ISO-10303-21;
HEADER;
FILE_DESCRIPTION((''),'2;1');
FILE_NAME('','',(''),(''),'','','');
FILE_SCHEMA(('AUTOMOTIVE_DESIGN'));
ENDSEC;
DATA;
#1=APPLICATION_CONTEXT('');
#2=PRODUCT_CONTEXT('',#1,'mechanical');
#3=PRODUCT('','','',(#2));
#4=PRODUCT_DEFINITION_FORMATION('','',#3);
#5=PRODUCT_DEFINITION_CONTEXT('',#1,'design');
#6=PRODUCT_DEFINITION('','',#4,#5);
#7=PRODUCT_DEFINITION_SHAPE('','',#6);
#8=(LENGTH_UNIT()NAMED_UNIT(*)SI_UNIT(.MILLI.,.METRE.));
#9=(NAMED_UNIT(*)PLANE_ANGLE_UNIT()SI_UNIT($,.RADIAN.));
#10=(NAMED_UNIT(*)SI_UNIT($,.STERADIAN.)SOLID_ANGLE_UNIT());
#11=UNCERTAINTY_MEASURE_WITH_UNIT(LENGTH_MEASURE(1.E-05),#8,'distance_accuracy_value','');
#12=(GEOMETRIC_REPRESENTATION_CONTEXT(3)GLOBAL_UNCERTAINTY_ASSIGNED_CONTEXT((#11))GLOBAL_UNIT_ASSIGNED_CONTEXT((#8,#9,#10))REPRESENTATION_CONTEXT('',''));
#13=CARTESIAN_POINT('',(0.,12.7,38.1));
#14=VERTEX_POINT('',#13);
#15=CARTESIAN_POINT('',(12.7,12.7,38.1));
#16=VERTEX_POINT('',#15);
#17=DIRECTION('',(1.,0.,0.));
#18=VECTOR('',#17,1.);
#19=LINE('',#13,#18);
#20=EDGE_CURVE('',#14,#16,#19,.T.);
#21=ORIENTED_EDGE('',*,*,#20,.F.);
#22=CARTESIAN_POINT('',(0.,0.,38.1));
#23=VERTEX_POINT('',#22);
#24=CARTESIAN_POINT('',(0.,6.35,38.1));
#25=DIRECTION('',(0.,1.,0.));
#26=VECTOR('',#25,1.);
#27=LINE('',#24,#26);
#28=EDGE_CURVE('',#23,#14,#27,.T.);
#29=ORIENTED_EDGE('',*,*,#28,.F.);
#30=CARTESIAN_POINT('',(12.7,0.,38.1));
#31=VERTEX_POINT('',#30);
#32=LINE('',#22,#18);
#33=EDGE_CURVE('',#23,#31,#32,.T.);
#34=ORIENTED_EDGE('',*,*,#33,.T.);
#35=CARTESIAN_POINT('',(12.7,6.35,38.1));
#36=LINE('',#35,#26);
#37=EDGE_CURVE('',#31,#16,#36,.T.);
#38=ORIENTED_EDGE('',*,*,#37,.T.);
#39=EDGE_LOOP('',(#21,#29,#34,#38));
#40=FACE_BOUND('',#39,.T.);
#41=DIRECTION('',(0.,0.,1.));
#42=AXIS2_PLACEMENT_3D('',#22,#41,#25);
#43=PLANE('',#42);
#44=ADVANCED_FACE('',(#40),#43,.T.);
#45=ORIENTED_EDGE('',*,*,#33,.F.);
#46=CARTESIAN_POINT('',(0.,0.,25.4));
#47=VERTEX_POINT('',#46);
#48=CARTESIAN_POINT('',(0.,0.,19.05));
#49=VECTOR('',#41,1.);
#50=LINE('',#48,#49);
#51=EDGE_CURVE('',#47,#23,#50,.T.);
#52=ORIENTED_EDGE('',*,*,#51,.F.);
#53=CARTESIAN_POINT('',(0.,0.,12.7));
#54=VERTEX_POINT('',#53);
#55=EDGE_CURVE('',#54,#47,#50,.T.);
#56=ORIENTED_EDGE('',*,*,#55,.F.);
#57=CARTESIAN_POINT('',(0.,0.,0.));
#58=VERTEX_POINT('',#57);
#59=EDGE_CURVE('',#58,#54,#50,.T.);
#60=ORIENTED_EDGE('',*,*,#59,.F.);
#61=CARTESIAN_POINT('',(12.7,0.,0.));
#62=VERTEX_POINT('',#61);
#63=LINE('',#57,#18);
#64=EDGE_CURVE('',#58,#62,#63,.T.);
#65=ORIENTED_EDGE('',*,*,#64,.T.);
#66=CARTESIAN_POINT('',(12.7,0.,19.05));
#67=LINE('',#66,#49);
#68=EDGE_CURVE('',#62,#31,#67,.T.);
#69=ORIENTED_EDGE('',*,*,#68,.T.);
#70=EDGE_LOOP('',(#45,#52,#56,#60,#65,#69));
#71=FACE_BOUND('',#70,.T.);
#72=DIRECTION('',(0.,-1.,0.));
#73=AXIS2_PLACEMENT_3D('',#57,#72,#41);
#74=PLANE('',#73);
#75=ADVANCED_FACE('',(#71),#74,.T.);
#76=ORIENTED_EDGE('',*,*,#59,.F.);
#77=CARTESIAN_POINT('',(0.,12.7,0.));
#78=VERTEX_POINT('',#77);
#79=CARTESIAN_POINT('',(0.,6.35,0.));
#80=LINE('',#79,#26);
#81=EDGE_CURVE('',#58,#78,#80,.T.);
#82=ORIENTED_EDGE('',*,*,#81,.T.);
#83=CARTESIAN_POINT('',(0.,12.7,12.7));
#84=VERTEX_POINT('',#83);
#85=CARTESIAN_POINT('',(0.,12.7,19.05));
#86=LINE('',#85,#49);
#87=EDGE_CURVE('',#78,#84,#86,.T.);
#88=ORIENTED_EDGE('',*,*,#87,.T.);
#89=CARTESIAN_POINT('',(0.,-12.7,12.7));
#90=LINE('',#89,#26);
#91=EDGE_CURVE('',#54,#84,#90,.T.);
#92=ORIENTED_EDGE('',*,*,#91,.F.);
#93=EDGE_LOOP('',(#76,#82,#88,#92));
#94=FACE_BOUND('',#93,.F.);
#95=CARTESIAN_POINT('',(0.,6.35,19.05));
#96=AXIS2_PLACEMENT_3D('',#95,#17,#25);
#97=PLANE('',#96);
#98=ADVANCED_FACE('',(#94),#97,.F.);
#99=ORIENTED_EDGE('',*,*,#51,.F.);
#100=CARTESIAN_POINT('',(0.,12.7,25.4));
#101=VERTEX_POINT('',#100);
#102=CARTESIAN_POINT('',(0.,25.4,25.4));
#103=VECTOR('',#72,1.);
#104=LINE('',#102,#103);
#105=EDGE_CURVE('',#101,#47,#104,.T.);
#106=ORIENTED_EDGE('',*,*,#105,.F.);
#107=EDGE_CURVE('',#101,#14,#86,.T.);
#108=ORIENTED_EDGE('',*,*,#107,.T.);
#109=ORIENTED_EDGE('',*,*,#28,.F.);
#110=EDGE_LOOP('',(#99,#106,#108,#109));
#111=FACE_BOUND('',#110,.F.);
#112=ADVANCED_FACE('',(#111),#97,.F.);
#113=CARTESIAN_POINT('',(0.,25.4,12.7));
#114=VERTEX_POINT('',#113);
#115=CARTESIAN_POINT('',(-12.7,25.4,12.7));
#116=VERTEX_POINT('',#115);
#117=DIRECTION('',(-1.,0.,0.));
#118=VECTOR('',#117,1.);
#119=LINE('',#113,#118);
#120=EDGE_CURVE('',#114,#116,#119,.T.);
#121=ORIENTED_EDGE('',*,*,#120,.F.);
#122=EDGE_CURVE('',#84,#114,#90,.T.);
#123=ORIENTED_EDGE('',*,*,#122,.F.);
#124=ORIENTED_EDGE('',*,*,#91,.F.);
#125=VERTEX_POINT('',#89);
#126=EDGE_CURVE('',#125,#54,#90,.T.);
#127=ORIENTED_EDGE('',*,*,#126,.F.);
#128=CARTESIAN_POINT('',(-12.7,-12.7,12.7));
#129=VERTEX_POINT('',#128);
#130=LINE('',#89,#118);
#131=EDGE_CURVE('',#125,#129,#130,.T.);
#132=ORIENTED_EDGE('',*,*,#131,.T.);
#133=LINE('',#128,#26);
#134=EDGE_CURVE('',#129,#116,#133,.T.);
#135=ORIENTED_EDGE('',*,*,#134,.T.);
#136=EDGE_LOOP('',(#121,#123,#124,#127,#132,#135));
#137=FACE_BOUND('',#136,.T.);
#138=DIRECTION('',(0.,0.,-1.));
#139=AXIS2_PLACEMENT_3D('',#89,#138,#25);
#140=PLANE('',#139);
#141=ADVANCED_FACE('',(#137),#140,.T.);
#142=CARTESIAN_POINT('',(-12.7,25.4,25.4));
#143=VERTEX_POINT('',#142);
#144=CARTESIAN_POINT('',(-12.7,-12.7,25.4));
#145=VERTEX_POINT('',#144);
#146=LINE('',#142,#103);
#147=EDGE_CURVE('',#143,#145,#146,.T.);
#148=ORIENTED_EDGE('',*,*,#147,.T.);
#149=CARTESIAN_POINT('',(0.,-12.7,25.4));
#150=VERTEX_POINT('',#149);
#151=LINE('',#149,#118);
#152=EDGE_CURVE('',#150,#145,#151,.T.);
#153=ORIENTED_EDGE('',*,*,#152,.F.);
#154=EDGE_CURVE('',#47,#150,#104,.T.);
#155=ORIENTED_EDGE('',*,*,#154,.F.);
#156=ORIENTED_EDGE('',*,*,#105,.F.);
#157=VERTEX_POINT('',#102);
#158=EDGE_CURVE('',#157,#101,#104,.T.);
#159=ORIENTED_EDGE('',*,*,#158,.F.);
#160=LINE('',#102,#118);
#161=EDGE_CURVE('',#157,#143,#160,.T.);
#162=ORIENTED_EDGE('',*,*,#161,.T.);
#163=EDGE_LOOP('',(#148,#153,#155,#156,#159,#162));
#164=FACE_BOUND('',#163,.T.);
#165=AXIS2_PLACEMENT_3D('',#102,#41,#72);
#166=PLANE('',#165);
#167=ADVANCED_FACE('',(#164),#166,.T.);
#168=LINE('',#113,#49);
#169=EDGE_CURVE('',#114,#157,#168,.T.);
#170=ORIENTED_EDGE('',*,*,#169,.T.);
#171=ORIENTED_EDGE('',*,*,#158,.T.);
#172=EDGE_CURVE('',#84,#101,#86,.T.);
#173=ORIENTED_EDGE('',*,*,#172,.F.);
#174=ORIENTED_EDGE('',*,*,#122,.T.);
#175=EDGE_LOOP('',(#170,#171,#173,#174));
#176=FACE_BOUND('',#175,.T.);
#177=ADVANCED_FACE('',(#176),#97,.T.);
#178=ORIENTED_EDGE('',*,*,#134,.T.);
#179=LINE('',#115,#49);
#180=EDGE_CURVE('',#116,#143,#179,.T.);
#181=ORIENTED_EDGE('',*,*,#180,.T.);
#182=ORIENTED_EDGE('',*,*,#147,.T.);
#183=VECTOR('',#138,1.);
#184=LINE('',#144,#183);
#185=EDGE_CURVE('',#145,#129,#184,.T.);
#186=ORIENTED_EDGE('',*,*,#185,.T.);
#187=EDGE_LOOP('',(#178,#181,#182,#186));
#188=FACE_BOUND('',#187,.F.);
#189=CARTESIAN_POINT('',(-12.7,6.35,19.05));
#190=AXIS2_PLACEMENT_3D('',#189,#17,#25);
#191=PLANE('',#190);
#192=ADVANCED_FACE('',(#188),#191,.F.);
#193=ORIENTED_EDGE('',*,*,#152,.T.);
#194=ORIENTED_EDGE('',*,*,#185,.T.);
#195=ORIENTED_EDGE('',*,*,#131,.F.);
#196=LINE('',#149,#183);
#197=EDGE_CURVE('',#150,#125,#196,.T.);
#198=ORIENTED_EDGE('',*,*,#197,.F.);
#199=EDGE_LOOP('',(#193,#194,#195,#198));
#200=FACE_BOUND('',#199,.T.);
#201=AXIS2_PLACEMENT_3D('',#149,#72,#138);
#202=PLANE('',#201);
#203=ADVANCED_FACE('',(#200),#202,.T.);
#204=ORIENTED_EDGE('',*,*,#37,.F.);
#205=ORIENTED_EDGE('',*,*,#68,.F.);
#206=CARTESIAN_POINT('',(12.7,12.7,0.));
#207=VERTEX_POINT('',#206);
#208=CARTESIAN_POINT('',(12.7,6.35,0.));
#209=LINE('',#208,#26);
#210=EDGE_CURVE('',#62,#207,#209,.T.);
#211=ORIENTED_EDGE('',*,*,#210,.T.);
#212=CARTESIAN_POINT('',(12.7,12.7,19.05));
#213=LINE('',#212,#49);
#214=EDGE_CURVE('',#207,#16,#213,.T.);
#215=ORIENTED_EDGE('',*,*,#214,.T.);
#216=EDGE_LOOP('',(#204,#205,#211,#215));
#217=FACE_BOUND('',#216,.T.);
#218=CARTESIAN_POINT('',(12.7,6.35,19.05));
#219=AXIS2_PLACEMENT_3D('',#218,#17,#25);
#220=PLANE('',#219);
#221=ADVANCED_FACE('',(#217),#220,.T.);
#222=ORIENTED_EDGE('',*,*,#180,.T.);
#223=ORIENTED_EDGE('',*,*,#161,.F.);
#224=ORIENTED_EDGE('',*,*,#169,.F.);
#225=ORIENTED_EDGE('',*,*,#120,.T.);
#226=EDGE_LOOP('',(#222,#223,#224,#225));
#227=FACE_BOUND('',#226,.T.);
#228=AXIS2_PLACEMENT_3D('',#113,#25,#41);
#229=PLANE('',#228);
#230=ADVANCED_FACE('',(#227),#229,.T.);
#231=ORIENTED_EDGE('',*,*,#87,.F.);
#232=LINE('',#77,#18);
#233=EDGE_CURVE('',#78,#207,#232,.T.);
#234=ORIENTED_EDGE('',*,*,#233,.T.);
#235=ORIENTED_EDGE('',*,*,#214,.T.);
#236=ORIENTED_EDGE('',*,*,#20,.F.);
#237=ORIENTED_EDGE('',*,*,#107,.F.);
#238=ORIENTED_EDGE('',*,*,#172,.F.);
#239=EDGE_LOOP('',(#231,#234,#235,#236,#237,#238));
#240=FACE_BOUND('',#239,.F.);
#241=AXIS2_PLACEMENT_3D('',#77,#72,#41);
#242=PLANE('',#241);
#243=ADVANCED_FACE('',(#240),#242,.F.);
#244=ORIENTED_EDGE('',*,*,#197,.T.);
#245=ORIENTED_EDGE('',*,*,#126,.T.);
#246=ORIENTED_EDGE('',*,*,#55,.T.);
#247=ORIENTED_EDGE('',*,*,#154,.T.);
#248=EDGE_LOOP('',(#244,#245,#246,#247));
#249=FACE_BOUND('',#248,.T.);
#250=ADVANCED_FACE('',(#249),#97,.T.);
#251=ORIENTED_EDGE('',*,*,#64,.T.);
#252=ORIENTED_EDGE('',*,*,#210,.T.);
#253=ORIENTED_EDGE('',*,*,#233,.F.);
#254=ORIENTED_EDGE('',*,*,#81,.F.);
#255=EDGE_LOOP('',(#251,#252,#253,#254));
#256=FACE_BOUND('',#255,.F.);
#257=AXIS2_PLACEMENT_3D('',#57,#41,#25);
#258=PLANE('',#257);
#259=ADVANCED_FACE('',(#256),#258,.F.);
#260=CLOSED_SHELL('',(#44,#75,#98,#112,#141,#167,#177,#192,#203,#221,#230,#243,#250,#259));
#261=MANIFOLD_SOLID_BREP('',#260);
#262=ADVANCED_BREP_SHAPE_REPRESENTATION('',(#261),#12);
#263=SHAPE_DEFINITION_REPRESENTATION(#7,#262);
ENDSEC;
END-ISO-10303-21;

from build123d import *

# Parameters (mm, degrees)
F0_W     = 12.7
F0_H     = 38.1
F1_DEPTH = 12.7
F3_DEPTH = 12.7


with BuildPart() as f1:
    # F0 (on Right) → F1 (new body)
    with BuildSketch(Plane.YZ):
        with Locations((6.35, 19.05)):
            Rectangle(F0_W, F0_H)
    extrude(amount=F1_DEPTH)

    # F2 (on Right) → F3 (join)
    with BuildSketch(Plane.YZ):
        Polygon((-12.7, 12.7), (0, 12.7), (25.4, 12.7), (25.4, 25.4), (-12.7, 25.4), align=None)
    extrude(amount=-F3_DEPTH)


solid = f1.part
